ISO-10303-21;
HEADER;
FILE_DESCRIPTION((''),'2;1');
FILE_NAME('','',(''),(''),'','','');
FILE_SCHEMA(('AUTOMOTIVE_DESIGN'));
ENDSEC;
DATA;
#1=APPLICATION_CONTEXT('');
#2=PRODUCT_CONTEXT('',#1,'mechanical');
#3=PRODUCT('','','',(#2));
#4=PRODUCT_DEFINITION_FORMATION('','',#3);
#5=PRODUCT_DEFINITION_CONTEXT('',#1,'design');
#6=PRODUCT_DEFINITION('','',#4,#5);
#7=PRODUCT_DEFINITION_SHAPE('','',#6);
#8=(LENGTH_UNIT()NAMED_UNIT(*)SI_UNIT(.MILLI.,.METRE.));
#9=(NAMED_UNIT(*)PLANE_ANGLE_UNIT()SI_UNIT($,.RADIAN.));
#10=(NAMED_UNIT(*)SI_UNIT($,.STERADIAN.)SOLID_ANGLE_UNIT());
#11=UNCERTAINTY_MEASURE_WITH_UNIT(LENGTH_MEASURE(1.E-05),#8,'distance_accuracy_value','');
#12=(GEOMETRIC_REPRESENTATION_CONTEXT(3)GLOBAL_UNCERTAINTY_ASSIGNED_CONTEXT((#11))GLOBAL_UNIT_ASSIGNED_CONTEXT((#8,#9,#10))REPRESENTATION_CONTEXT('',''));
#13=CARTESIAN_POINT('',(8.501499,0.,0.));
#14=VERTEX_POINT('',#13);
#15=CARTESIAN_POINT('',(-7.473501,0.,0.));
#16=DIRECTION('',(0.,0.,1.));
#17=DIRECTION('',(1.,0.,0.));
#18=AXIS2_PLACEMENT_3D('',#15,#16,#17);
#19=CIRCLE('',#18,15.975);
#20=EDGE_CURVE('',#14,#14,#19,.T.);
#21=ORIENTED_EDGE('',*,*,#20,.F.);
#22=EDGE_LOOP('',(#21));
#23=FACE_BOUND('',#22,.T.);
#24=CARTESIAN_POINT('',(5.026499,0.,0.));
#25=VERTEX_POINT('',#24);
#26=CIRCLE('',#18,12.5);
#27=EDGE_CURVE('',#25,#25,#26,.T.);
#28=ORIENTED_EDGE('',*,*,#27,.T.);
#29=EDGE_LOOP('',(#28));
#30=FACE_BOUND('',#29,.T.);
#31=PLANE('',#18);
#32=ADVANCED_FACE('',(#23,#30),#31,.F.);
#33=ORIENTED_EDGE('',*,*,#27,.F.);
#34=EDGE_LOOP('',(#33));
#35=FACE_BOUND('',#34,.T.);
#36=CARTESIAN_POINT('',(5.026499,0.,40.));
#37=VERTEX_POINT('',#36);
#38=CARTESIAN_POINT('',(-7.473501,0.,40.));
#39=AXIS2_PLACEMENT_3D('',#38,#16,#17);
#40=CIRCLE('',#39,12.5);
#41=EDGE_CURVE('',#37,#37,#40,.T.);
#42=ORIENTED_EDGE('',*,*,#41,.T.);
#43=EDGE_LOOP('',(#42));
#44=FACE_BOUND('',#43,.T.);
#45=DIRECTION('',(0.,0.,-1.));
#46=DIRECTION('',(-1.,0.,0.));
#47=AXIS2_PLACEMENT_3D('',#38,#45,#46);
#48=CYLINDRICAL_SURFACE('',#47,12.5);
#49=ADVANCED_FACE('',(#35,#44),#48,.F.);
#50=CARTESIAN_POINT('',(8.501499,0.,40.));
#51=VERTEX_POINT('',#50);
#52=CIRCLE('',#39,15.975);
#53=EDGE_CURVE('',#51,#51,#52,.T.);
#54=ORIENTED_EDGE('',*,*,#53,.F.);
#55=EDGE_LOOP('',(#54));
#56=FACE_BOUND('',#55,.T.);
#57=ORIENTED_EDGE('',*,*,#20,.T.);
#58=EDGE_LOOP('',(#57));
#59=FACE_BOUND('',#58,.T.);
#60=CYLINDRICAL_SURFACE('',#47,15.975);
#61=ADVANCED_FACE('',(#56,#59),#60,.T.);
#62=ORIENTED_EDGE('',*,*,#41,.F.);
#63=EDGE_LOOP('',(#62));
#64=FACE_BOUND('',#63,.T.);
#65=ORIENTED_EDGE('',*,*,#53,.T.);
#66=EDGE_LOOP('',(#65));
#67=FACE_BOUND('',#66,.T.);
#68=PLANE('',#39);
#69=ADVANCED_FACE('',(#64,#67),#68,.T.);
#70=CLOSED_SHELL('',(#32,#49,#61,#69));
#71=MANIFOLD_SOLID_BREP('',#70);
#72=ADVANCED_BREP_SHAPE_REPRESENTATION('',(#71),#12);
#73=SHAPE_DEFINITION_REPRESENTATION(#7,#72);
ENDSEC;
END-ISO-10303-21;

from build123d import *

# Parameters (mm, degrees)
SKETCH1_R           = 15.975
SKETCH1_R_2         = 12.5
BOSS_EXTRUDE1_DEPTH = 40


with BuildPart() as part:
    # Sketch1 → Boss-Extrude1 (new body)
    with BuildSketch(Plane.XY):
        with Locations((-7.473500512, 0)):
            Circle(SKETCH1_R)
        with Locations((-7.473500512, 0)):
            Circle(SKETCH1_R_2, mode=Mode.SUBTRACT)
    extrude(amount=BOSS_EXTRUDE1_DEPTH)


solid = part.part
